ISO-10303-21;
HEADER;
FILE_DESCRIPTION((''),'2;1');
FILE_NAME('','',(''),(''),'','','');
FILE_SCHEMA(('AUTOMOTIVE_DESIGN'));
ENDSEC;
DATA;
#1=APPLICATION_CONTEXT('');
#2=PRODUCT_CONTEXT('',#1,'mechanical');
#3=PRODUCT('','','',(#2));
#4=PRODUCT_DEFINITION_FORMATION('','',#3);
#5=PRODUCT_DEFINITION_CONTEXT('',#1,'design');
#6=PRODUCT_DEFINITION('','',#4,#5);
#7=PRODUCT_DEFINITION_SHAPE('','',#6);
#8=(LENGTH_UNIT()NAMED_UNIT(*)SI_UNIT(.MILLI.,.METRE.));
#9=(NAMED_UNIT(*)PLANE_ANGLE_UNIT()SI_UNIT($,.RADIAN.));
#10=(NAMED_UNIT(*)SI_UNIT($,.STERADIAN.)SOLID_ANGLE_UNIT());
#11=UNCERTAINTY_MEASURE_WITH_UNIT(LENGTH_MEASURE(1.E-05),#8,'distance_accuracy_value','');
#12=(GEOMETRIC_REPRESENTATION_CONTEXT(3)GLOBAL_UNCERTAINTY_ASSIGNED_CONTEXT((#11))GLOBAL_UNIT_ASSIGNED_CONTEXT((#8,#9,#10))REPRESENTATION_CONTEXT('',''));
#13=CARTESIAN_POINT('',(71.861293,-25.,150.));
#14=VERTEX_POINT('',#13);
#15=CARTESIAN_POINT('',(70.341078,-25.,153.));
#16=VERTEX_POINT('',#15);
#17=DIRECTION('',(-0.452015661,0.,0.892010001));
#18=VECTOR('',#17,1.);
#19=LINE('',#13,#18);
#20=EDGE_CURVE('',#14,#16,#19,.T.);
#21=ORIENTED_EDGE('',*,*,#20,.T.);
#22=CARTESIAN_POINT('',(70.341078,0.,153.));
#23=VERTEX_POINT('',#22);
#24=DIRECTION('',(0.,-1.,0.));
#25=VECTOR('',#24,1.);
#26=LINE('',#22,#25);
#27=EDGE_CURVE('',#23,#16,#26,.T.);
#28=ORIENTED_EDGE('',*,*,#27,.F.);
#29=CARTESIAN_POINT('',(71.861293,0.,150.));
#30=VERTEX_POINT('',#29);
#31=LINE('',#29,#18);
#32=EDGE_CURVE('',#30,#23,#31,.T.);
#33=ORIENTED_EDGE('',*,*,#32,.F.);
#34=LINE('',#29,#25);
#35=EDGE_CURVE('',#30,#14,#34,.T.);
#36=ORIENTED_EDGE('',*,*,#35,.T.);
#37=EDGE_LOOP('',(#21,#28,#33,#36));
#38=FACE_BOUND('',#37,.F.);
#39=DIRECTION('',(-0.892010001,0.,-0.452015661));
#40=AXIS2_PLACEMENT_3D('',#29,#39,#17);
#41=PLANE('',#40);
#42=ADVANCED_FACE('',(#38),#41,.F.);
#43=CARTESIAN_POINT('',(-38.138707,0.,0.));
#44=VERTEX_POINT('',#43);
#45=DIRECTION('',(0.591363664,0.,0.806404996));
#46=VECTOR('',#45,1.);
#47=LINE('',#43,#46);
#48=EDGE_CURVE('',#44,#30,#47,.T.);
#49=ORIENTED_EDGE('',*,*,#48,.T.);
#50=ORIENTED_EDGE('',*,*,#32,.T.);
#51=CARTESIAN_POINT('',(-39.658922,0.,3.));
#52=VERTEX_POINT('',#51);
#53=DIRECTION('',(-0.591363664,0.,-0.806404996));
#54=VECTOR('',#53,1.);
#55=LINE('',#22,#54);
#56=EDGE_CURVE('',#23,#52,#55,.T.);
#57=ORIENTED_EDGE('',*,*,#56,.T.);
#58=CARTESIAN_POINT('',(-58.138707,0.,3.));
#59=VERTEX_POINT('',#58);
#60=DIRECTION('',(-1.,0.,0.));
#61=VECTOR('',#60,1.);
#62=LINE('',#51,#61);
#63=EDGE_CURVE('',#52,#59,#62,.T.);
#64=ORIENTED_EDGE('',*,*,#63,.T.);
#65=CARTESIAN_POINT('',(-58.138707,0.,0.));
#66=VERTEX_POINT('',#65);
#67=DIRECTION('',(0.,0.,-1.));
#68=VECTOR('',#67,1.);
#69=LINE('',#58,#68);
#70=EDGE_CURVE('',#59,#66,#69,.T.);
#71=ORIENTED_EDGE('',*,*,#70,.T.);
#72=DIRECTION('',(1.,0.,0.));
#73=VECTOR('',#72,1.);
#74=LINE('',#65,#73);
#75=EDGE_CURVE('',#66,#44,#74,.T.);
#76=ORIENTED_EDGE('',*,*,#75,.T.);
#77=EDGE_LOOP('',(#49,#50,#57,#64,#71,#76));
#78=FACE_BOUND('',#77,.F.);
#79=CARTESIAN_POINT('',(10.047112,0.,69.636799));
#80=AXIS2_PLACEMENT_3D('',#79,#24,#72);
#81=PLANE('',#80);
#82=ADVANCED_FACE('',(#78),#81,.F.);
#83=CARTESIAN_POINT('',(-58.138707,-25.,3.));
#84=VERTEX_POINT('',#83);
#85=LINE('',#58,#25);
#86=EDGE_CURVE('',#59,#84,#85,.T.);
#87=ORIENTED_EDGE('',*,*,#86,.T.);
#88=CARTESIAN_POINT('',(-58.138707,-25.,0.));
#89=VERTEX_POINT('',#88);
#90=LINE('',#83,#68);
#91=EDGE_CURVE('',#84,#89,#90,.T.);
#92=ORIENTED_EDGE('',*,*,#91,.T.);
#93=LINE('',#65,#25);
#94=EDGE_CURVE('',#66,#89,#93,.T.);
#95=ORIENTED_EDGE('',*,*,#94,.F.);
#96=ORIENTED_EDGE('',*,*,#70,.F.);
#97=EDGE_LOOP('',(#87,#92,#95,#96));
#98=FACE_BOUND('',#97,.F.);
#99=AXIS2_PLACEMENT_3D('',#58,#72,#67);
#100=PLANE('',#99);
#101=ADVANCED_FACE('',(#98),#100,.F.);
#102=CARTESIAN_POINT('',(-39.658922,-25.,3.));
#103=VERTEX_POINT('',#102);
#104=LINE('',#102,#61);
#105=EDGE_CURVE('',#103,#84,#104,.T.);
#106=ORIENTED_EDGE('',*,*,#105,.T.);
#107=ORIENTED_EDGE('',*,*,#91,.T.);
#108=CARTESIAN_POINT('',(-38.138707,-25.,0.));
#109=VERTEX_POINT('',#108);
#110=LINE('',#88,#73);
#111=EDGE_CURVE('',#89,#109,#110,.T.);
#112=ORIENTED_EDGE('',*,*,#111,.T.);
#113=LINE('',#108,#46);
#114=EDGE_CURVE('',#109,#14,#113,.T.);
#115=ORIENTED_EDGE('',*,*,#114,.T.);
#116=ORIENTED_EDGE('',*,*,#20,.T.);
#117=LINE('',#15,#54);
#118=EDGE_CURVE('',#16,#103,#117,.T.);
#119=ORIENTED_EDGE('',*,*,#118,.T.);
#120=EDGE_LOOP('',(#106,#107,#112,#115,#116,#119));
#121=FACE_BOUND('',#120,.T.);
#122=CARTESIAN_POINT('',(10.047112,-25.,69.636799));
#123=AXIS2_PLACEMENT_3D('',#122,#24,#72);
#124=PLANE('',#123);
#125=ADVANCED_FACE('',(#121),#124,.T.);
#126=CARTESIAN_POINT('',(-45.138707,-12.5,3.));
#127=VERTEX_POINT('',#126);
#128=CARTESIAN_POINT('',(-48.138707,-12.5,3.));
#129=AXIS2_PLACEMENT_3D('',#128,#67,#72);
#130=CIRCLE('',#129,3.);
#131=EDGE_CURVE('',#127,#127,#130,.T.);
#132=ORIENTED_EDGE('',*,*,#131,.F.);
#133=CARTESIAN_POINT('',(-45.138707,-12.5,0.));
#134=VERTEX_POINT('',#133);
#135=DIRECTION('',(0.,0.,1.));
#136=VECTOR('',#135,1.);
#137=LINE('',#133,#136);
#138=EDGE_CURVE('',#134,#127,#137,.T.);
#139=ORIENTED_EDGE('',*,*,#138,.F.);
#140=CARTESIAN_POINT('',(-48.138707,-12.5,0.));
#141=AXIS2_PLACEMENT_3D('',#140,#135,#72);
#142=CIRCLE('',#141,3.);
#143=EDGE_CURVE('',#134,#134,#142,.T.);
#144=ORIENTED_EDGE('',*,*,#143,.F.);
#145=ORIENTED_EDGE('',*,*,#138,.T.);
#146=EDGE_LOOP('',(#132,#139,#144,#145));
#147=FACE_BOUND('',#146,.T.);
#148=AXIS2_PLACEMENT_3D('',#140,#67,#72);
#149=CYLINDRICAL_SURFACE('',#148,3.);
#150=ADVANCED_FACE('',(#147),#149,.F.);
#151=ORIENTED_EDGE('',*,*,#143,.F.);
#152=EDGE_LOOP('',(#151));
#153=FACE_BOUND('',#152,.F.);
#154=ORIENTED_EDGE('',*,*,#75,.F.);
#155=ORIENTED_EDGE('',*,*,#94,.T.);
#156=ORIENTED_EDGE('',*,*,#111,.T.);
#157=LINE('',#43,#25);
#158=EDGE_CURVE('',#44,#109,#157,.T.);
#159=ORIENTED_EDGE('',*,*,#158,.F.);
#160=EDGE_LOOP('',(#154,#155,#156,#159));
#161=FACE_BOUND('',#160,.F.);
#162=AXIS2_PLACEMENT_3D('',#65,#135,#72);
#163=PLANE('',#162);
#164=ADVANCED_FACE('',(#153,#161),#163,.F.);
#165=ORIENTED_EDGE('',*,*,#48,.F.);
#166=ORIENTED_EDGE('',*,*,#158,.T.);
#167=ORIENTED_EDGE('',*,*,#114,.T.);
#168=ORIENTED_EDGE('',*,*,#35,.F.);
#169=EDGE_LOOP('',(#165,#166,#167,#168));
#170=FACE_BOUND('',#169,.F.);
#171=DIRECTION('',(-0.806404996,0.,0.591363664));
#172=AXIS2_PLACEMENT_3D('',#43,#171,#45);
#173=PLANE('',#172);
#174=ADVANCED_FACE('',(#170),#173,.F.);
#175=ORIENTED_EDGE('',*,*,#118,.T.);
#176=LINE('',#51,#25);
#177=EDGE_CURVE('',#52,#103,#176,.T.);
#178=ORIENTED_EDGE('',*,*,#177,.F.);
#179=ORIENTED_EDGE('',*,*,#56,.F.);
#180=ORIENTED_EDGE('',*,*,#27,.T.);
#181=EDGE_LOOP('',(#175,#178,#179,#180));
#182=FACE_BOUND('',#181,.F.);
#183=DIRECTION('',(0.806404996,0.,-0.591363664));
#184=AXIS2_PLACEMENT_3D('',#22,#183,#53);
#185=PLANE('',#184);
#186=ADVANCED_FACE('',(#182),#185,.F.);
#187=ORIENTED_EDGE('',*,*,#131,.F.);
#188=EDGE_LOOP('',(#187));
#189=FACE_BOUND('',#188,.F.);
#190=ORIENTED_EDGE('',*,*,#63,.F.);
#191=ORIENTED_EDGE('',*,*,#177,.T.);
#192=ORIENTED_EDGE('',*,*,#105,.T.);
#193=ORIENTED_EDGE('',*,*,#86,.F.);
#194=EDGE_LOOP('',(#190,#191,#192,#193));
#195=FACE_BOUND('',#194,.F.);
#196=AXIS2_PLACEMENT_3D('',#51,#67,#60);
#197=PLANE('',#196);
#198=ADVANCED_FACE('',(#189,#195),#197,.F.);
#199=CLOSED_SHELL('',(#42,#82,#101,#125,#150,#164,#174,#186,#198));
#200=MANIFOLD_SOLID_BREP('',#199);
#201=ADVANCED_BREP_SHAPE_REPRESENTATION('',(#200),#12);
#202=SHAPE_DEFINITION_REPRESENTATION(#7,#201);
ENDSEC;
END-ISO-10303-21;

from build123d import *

# Parameters (mm, degrees)
F1_DEPTH = 25
F2_R     = 3
F3_DEPTH = 25


with BuildPart() as f1:
    # F0 (on Front) → F1 (new body)
    with BuildSketch(Plane.XZ):
        Polygon((-58.138707, 3), (-58.138707, 0), (-38.138707, 0), (71.861293, 150), (70.341078, 153), (-39.658922, 3), align=None)
    extrude(amount=F1_DEPTH)

    # F2 (on Top) → F3 (cut)
    with BuildSketch(Plane.XY):
        with Locations((-48.138707, -12.5)):
            Circle(F2_R)
    extrude(amount=F3_DEPTH, mode=Mode.SUBTRACT)


solid = f1.part
